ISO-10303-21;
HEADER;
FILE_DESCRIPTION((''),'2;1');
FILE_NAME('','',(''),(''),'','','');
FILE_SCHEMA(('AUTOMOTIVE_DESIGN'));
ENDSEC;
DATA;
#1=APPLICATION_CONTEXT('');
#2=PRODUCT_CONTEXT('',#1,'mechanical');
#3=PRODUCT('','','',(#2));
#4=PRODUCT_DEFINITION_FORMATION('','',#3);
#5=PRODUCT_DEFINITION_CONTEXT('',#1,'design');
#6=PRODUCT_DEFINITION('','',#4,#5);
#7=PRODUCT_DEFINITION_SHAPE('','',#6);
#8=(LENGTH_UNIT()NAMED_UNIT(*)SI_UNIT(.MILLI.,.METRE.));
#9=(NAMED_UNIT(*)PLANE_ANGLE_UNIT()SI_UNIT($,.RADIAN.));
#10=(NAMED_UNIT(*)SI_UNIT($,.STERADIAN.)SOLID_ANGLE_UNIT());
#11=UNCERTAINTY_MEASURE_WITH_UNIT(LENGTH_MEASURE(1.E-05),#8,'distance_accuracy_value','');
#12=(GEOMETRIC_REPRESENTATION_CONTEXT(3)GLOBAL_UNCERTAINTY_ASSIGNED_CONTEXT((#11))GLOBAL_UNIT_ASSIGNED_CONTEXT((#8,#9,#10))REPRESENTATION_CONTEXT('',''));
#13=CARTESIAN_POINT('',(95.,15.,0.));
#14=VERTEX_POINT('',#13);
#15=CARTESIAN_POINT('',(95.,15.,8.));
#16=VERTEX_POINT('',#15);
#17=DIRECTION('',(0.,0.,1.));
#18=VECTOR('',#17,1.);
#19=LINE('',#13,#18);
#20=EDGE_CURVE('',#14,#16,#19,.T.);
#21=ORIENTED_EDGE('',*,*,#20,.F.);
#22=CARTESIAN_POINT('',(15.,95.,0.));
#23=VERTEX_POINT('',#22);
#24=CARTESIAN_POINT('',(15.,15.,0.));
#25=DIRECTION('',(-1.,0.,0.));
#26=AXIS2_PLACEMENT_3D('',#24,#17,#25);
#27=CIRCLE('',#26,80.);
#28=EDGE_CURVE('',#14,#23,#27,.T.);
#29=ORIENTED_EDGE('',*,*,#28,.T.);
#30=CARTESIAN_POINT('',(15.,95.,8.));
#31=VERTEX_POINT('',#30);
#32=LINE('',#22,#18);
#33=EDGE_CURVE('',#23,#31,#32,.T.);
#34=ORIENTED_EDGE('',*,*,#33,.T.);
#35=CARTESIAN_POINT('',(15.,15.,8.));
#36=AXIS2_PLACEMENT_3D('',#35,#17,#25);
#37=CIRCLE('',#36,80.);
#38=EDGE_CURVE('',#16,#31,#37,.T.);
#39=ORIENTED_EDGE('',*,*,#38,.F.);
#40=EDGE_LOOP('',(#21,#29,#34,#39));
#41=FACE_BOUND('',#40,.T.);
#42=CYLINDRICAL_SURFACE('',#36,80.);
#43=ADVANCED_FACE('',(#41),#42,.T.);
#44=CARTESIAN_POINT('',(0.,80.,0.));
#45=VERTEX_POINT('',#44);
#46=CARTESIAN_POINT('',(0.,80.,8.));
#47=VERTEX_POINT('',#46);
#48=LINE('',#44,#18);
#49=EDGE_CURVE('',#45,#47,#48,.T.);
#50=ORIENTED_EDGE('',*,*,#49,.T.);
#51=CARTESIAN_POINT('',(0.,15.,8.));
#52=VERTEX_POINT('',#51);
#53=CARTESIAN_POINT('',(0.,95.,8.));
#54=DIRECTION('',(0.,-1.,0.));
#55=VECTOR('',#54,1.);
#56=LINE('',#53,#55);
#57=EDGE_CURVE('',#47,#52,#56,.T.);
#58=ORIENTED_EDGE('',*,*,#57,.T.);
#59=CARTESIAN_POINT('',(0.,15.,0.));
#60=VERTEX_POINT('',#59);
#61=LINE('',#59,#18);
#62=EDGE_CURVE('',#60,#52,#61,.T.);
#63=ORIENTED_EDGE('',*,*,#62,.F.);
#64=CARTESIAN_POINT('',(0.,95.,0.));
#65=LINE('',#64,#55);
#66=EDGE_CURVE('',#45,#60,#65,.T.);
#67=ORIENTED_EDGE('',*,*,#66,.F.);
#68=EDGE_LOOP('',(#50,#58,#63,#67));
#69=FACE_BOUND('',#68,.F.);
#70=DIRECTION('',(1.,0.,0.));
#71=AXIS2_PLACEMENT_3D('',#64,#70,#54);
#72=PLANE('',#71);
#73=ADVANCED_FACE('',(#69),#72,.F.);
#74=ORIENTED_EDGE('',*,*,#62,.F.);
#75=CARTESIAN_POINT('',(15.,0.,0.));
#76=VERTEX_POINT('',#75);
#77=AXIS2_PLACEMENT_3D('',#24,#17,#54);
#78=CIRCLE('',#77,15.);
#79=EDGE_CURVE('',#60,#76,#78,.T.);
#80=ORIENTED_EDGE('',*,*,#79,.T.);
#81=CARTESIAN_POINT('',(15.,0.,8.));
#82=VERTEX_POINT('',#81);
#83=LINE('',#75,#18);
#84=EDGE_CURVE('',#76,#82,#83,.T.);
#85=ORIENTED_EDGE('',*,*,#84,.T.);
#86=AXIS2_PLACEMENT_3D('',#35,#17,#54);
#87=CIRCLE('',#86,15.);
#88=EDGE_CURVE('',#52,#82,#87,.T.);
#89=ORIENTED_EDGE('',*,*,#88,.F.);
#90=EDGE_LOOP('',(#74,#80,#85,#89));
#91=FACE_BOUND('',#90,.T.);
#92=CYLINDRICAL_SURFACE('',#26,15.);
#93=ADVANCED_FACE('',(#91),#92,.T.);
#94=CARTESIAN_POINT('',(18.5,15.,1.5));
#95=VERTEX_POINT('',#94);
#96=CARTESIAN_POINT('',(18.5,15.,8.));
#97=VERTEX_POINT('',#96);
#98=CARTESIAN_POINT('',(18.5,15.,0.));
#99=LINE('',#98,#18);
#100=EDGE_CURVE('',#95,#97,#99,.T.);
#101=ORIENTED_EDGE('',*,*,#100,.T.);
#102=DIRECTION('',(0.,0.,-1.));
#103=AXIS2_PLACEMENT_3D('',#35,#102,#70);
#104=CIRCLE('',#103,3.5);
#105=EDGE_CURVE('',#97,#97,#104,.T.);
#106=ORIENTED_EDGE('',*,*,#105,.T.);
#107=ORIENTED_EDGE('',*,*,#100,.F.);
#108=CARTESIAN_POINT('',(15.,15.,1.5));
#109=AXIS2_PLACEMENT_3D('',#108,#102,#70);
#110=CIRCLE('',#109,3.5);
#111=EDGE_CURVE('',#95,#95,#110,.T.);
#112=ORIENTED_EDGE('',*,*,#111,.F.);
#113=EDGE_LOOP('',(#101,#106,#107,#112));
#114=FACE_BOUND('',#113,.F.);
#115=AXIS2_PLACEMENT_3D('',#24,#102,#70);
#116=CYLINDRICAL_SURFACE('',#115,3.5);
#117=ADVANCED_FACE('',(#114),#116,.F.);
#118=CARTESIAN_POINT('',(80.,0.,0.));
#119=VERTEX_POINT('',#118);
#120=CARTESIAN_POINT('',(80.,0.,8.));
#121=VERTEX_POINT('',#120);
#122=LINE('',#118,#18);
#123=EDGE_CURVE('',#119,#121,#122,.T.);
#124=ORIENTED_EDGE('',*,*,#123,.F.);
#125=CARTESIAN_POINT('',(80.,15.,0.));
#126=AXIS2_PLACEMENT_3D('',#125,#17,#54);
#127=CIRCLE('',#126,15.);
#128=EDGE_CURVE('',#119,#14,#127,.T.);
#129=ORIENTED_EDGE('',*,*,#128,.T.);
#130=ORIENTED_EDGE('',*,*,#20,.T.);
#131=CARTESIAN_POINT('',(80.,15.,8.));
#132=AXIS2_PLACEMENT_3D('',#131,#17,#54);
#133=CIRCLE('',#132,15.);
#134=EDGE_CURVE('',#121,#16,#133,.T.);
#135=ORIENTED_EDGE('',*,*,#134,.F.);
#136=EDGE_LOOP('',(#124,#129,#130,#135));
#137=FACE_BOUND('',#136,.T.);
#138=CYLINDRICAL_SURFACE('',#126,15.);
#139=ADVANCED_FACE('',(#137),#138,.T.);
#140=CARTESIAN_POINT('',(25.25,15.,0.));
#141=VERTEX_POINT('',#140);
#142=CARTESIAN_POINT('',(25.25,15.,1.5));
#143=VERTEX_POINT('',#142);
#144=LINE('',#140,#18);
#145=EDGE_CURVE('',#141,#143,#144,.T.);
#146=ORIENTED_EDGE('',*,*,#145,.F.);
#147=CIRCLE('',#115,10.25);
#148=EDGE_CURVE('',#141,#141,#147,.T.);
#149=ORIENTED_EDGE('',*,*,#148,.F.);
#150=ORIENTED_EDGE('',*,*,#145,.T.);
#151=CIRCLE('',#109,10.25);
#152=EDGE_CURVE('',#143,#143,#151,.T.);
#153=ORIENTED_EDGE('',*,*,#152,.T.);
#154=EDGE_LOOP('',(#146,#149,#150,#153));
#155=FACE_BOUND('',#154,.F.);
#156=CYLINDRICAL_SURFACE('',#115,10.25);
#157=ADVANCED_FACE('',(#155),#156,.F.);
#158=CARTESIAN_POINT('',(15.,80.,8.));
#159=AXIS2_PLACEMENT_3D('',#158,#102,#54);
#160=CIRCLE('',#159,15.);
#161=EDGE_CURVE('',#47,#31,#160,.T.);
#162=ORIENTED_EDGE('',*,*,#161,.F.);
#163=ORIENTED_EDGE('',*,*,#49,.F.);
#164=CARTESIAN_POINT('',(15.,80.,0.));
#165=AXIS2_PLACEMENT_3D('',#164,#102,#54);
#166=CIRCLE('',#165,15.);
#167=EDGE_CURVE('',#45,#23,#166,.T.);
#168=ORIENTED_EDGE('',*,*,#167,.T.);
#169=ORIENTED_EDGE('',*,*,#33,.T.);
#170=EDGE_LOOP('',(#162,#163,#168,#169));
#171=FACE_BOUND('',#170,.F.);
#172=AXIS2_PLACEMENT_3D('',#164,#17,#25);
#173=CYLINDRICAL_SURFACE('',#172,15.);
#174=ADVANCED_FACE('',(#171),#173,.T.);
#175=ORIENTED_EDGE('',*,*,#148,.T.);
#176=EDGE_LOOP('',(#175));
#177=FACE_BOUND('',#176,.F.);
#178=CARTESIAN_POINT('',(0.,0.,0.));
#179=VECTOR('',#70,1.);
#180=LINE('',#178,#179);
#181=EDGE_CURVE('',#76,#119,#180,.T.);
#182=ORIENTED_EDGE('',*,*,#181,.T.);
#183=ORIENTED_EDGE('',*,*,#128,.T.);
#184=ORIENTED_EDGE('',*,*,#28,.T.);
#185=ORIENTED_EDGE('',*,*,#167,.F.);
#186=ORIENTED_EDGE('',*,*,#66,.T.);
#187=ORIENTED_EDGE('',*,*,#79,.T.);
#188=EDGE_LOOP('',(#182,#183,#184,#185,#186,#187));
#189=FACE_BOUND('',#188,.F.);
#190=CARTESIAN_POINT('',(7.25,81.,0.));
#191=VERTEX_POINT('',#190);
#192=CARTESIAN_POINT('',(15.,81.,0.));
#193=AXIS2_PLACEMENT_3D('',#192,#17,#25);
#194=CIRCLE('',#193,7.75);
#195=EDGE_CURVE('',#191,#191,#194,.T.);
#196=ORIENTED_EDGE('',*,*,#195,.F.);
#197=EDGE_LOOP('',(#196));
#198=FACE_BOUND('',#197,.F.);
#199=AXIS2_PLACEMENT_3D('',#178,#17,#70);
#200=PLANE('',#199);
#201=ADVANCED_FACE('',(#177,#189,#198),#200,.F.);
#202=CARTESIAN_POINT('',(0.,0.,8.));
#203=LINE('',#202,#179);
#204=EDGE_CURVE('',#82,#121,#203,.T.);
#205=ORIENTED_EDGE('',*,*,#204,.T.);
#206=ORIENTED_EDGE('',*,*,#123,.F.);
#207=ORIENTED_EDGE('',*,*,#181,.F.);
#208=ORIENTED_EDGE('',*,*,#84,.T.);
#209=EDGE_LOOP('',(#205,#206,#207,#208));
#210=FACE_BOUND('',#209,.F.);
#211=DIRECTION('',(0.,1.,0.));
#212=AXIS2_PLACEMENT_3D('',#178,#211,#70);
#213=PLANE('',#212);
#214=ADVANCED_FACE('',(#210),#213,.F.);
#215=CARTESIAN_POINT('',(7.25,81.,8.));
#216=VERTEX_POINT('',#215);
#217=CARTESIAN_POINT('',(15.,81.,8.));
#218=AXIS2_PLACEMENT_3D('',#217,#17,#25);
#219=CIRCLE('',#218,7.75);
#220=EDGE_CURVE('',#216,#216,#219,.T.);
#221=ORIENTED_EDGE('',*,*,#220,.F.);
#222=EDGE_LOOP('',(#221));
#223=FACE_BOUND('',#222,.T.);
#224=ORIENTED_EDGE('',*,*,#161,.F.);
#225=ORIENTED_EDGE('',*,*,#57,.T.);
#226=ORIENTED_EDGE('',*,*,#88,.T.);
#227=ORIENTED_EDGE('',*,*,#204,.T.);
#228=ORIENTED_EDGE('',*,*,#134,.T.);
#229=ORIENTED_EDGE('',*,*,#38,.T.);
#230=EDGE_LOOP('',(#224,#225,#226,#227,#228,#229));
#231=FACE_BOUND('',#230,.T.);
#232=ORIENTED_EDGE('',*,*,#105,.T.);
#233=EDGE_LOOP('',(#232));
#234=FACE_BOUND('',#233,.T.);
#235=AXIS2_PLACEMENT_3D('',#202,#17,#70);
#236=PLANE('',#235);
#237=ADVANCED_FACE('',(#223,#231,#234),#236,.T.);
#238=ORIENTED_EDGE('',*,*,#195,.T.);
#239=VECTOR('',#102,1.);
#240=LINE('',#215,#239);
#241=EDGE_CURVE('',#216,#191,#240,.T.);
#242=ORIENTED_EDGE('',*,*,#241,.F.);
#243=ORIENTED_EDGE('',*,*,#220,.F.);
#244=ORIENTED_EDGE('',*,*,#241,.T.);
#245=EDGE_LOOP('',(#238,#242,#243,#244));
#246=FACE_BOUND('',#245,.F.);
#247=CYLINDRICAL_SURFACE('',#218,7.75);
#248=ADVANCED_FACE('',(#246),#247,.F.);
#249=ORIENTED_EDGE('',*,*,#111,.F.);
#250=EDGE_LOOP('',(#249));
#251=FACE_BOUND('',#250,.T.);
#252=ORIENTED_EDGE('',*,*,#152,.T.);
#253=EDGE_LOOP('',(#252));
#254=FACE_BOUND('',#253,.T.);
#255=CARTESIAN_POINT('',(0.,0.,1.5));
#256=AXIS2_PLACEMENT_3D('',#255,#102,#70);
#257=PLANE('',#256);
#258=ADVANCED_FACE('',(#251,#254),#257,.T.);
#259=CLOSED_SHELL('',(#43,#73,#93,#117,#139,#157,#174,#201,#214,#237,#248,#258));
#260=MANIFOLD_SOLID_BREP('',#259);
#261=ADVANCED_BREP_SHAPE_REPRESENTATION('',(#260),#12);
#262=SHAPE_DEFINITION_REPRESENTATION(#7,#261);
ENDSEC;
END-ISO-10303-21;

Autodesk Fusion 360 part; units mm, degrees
sketch "Smartie Arm" plane through (0, 0, 0) normal (0, 0, 1) x (1, 0, 0)
  line L0 (0, 0) -> (95, 0)
  line L1 (95, 0) -> (95, 95)
  line L2 (95, 95) -> (0, 95)
  line L3 (0, 95) -> (0, 0)
  dimension "d6" = 95
  dimension "d15" = 95
extrude "Extrude1" add sketch "Smartie Arm" along normal blind 8
sketch "Smartie Hole" plane through (0, 0, 8) normal (0, 0, 1) x (-1, 0, 0)
  line L0 (0, -95) -> (0, 0)
  line L1 (0, 0) -> (-95, 0)
  line L2 (-95, 0) -> (-95, -95)
  line L3 (-95, -95) -> (0, -95)
  circle A0 centre (-15, -81) radius 7.75
  dimension "d5" = 15.5
  dimension "d8" = 15
  dimension "d9" = 80
  dimension "d14" = 14
extrude "Extrude2" cut sketch "Smartie Hole" against normal blind 8 contours A0
fillet "Fillet1" radius 15 2 edges at (95, 95, 4) (0, 95, 4)
fillet "Fillet2" radius 15 2 edges at (0, 0, 4) (95, 0, 4)
sketch "Smartie Arm Arc" plane through (0, 0, 8) normal (0, 0, 1) x (-1, 0, 0)
  arc A0 (-80, 0) -> (-95, -15) centre (-80, -15) ccw
  line L0 (-95, -15) -> (-95, -80)
  arc A1 (-95, -80) -> (-80, -95) centre (-80, -80) ccw
  line L1 (-80, -95) -> (-15, -95)
  arc A2 (-15, -95) -> (0, -80) centre (-15, -80) ccw
  line L2 (0, -80) -> (0, -15)
  arc A3 (0, -15) -> (-15, 0) centre (-15, -15) ccw
  line L3 (-15, 0) -> (-80, 0)
  circle A4 centre (-15, -81) radius 7.75
  circle A5 centre (-15, -15) radius 80
  dimension "d16" = 15
  dimension "d17" = 15
  dimension "d18" = 160
extrude "Extrude3" cut sketch "Smartie Arm Arc" against normal blind 8 contours L0 A1 L1 A5
sketch "Servo Horn Hole" plane through (0, 0, 0) normal (0, 0, -1) x (1, 0, 0)
  arc A0 (15, -95) -> (95, -15) centre (15, -15) ccw
  arc A1 (95, -15) -> (80, 0) centre (80, -15) ccw
  line L0 (80, 0) -> (15, 0)
  arc A2 (15, 0) -> (0, -15) centre (15, -15) ccw
  line L1 (0, -15) -> (0, -80)
  arc A3 (0, -80) -> (15, -95) centre (15, -80) ccw
  circle A4 centre (15, -81) radius 7.75
  circle A5 centre (15, -15) radius 10.25
  circle A6 centre (15, -15) radius 3.5
  dimension "d21" = 20.5
  dimension "d24" = 7
extrude "Extrude4" cut sketch "Servo Horn Hole" against normal blind 1.5 contours A5 | A6
extrude "Extrude5" cut sketch "Servo Horn Hole" against normal blind 8 contours A6
equation "d14 = 16 mm - 2 mm"
